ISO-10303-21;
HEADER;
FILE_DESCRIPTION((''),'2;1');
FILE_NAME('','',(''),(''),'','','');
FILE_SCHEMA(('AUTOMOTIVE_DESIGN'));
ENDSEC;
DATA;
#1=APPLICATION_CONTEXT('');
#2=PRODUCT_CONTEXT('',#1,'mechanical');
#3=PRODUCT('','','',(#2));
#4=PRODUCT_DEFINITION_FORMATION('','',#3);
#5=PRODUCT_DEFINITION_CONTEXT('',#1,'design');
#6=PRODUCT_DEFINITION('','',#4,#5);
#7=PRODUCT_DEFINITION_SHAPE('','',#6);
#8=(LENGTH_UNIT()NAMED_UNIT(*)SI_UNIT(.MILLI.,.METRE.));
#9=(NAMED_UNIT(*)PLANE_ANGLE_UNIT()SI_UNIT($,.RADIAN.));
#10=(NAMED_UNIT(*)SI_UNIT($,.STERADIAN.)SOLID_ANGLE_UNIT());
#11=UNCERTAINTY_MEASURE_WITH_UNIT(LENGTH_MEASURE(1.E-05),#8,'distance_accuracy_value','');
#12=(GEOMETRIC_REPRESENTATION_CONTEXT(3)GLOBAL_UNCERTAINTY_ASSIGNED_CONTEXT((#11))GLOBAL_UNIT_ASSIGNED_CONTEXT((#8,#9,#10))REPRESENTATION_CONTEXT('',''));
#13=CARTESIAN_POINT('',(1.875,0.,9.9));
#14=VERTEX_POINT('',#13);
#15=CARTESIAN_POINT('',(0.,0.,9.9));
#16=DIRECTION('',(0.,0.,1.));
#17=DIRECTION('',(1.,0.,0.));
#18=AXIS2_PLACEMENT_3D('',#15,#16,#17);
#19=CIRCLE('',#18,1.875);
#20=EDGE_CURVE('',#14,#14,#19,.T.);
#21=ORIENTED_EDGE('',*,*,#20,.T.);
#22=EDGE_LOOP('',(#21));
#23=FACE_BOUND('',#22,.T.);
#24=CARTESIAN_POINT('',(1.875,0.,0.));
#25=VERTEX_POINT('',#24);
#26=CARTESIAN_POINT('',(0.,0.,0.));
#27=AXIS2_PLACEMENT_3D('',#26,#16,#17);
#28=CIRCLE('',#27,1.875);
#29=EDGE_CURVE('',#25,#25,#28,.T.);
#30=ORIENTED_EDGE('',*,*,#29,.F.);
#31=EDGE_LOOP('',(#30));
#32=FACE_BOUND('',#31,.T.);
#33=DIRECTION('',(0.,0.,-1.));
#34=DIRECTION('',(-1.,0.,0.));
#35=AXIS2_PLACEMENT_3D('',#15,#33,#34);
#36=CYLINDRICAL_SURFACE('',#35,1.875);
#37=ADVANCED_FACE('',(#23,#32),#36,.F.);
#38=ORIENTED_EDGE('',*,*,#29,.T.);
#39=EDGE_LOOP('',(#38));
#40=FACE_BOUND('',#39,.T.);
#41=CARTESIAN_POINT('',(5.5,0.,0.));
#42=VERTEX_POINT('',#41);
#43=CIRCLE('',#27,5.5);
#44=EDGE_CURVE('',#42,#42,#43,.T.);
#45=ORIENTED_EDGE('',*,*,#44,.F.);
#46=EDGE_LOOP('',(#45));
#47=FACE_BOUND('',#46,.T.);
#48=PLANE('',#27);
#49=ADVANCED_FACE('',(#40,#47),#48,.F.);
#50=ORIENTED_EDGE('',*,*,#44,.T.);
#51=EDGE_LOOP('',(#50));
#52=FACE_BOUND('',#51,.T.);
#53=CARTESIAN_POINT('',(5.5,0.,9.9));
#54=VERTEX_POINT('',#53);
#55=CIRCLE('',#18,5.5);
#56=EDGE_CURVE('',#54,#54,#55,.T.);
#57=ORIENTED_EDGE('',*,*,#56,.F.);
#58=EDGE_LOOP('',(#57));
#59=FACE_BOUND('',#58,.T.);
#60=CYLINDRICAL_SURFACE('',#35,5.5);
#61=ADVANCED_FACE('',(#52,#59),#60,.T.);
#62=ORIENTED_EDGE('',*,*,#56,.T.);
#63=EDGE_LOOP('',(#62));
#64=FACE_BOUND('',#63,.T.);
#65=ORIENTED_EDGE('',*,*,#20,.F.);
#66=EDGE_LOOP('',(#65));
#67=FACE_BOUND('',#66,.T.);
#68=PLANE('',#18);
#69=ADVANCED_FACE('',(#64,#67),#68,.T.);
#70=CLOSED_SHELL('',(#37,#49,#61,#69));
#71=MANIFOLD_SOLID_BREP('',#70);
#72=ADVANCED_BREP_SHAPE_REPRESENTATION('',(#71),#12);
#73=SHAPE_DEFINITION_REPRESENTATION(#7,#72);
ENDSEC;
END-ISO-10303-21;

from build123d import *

# Parameters (mm, degrees)
ESBO_O1_R                = 5.5
ESBO_O1_R_2              = 1.875
RESSALTO_EXTRUS_O1_DEPTH = 9.9


with BuildPart() as part:
    # Esboço1 → Ressalto-extrusão1 (new body)
    with BuildSketch(Plane.XY):
        Circle(ESBO_O1_R)
        Circle(ESBO_O1_R_2, mode=Mode.SUBTRACT)
    extrude(amount=RESSALTO_EXTRUS_O1_DEPTH)


solid = part.part
